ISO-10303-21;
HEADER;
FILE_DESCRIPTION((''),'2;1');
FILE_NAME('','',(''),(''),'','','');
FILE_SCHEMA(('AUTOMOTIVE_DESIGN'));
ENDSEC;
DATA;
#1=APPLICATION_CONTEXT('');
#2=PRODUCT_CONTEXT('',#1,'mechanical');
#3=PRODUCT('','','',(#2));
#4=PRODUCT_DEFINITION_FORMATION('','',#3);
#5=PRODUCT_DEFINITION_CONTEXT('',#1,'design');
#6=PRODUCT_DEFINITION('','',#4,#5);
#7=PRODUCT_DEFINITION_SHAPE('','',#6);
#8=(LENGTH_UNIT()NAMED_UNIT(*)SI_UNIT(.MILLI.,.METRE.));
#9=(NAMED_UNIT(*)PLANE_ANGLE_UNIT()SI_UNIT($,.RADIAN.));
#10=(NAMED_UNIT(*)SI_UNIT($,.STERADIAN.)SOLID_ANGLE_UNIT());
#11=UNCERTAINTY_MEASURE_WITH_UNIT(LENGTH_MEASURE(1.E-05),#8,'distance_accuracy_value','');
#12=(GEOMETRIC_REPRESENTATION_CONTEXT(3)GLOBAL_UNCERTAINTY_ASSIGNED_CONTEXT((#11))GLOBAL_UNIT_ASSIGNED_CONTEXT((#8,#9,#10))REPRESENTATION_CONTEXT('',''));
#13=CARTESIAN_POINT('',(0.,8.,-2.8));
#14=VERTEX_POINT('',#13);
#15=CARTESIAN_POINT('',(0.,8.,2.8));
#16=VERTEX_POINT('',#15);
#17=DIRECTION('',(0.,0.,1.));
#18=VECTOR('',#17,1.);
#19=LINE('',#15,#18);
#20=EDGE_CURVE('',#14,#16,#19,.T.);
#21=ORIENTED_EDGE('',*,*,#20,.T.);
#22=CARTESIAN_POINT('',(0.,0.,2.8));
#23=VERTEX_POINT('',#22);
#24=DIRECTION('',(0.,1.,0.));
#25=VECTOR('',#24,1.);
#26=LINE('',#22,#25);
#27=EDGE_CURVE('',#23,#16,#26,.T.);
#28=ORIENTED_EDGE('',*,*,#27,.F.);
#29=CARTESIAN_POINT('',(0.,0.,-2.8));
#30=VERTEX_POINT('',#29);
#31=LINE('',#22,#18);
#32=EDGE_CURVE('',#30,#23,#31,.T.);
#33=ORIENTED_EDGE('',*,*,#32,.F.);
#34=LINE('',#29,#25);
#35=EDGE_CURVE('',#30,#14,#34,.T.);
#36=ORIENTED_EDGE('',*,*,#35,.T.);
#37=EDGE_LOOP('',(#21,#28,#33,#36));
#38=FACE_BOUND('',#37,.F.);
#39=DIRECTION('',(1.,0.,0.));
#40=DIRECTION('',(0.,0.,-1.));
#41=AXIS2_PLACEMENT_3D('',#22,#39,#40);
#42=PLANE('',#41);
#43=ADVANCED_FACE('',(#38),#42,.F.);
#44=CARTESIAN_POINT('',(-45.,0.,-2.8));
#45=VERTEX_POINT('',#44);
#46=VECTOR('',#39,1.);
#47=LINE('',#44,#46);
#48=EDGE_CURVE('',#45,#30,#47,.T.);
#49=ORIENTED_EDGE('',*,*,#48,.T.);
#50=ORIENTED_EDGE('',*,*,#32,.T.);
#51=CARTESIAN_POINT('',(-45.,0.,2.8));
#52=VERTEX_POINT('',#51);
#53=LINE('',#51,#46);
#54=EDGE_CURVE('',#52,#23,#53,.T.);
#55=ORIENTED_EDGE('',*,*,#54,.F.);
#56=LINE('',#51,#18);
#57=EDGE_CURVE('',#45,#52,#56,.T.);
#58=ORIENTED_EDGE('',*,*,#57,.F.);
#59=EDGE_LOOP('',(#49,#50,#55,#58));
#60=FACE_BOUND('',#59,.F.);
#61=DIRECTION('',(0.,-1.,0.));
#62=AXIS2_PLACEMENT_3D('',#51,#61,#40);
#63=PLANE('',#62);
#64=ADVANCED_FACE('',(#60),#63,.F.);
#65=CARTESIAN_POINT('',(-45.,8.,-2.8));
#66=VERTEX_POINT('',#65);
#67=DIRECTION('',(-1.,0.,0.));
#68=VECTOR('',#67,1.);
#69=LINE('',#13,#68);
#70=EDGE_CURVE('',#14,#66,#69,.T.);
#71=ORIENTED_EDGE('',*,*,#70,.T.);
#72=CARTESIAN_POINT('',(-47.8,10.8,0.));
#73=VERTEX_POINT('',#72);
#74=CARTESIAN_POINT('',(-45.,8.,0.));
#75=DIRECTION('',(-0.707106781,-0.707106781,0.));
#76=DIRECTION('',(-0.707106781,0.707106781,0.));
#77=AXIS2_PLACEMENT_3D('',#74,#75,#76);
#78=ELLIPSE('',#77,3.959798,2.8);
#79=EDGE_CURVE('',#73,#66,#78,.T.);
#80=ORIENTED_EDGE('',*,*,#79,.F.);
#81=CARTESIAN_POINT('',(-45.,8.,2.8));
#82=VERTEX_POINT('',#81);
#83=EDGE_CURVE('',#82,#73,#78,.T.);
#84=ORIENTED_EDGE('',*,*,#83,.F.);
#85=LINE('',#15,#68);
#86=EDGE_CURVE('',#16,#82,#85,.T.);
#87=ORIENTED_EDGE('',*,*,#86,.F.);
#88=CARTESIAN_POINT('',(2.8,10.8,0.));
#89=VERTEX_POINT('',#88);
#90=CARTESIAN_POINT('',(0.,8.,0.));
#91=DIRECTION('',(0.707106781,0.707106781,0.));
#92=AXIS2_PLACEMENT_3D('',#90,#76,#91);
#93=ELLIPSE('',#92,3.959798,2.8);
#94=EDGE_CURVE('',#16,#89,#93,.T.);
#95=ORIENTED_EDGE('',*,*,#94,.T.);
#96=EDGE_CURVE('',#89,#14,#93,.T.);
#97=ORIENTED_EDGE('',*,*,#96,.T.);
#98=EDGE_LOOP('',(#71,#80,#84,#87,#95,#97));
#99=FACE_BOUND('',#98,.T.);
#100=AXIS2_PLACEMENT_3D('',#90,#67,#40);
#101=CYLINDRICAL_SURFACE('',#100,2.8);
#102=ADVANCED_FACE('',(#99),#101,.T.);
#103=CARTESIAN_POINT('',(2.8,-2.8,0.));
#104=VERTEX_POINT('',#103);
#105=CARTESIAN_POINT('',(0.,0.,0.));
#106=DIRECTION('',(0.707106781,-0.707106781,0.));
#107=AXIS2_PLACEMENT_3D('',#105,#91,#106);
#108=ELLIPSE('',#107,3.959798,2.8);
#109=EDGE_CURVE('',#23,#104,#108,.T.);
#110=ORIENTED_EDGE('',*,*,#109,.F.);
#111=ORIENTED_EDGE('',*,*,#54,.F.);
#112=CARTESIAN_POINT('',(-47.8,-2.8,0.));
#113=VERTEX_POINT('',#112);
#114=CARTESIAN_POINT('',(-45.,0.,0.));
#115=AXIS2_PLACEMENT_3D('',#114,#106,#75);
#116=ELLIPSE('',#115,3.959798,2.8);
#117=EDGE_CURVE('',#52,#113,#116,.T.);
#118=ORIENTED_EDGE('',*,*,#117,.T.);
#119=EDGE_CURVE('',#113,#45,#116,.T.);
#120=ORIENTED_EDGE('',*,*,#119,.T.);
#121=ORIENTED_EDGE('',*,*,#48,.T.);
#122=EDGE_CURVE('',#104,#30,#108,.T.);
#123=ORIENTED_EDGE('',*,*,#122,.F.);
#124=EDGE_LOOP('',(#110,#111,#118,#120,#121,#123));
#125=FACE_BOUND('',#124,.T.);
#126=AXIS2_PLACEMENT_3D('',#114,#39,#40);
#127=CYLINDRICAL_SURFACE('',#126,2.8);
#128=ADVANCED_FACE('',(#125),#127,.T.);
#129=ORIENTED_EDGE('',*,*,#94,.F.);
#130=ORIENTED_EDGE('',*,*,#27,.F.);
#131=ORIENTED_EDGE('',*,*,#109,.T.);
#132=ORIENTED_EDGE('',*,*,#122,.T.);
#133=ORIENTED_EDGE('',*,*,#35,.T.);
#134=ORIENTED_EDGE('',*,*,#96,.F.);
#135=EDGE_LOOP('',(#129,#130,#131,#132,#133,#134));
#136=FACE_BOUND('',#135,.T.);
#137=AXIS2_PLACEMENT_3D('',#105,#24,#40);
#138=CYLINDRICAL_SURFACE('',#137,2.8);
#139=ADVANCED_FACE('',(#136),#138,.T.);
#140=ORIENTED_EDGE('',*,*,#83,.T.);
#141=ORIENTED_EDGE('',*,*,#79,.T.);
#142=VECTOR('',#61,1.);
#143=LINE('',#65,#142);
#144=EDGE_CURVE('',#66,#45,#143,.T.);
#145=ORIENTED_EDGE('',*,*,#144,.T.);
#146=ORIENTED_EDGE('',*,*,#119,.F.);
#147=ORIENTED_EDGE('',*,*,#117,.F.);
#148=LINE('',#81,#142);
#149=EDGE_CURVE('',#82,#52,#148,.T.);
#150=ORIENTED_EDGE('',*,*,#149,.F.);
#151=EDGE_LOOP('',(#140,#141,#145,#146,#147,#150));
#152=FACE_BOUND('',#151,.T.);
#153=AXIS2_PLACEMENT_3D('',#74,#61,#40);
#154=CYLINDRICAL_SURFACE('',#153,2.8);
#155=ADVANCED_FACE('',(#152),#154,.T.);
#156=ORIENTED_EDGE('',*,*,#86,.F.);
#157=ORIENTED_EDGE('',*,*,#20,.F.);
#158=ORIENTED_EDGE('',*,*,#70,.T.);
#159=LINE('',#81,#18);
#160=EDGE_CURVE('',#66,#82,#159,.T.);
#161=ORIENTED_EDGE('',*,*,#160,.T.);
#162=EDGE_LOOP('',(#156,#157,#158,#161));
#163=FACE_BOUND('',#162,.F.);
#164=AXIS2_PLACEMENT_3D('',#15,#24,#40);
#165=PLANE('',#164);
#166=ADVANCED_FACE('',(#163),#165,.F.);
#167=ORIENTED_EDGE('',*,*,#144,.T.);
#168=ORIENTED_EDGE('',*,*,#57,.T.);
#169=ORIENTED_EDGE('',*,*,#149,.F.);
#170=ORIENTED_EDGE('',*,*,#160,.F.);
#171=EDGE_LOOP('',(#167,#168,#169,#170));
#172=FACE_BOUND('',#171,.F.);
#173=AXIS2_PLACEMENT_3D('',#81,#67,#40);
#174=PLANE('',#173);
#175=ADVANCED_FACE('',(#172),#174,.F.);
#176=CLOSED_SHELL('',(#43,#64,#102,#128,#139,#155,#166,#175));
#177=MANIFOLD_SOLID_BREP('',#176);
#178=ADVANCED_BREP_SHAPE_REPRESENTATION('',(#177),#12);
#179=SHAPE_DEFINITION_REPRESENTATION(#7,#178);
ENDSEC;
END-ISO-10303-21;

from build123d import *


with BuildPart() as f2:
    # F2: sweep along a path in F0
    with BuildLine(Plane.XY) as f2_path:
        Line((0, 0), (0, 8))
        Line((0, 8), (-45, 8))
        Line((-45, 8), (-45, 0))
        Line((-45, 0), (0, 0))
    # F1 (on Front) → F2 (sweep)
    with BuildSketch(Plane.XZ):
        with BuildLine():
            Line((0, 2.8), (0, 0))
            Line((0, 0), (0, -2.8))
            ThreePointArc((0, -2.8), (2.8, 0), (0, 2.8))
        make_face()
    sweep(path=f2_path.line, transition=Transition.RIGHT)


solid = f2.part
